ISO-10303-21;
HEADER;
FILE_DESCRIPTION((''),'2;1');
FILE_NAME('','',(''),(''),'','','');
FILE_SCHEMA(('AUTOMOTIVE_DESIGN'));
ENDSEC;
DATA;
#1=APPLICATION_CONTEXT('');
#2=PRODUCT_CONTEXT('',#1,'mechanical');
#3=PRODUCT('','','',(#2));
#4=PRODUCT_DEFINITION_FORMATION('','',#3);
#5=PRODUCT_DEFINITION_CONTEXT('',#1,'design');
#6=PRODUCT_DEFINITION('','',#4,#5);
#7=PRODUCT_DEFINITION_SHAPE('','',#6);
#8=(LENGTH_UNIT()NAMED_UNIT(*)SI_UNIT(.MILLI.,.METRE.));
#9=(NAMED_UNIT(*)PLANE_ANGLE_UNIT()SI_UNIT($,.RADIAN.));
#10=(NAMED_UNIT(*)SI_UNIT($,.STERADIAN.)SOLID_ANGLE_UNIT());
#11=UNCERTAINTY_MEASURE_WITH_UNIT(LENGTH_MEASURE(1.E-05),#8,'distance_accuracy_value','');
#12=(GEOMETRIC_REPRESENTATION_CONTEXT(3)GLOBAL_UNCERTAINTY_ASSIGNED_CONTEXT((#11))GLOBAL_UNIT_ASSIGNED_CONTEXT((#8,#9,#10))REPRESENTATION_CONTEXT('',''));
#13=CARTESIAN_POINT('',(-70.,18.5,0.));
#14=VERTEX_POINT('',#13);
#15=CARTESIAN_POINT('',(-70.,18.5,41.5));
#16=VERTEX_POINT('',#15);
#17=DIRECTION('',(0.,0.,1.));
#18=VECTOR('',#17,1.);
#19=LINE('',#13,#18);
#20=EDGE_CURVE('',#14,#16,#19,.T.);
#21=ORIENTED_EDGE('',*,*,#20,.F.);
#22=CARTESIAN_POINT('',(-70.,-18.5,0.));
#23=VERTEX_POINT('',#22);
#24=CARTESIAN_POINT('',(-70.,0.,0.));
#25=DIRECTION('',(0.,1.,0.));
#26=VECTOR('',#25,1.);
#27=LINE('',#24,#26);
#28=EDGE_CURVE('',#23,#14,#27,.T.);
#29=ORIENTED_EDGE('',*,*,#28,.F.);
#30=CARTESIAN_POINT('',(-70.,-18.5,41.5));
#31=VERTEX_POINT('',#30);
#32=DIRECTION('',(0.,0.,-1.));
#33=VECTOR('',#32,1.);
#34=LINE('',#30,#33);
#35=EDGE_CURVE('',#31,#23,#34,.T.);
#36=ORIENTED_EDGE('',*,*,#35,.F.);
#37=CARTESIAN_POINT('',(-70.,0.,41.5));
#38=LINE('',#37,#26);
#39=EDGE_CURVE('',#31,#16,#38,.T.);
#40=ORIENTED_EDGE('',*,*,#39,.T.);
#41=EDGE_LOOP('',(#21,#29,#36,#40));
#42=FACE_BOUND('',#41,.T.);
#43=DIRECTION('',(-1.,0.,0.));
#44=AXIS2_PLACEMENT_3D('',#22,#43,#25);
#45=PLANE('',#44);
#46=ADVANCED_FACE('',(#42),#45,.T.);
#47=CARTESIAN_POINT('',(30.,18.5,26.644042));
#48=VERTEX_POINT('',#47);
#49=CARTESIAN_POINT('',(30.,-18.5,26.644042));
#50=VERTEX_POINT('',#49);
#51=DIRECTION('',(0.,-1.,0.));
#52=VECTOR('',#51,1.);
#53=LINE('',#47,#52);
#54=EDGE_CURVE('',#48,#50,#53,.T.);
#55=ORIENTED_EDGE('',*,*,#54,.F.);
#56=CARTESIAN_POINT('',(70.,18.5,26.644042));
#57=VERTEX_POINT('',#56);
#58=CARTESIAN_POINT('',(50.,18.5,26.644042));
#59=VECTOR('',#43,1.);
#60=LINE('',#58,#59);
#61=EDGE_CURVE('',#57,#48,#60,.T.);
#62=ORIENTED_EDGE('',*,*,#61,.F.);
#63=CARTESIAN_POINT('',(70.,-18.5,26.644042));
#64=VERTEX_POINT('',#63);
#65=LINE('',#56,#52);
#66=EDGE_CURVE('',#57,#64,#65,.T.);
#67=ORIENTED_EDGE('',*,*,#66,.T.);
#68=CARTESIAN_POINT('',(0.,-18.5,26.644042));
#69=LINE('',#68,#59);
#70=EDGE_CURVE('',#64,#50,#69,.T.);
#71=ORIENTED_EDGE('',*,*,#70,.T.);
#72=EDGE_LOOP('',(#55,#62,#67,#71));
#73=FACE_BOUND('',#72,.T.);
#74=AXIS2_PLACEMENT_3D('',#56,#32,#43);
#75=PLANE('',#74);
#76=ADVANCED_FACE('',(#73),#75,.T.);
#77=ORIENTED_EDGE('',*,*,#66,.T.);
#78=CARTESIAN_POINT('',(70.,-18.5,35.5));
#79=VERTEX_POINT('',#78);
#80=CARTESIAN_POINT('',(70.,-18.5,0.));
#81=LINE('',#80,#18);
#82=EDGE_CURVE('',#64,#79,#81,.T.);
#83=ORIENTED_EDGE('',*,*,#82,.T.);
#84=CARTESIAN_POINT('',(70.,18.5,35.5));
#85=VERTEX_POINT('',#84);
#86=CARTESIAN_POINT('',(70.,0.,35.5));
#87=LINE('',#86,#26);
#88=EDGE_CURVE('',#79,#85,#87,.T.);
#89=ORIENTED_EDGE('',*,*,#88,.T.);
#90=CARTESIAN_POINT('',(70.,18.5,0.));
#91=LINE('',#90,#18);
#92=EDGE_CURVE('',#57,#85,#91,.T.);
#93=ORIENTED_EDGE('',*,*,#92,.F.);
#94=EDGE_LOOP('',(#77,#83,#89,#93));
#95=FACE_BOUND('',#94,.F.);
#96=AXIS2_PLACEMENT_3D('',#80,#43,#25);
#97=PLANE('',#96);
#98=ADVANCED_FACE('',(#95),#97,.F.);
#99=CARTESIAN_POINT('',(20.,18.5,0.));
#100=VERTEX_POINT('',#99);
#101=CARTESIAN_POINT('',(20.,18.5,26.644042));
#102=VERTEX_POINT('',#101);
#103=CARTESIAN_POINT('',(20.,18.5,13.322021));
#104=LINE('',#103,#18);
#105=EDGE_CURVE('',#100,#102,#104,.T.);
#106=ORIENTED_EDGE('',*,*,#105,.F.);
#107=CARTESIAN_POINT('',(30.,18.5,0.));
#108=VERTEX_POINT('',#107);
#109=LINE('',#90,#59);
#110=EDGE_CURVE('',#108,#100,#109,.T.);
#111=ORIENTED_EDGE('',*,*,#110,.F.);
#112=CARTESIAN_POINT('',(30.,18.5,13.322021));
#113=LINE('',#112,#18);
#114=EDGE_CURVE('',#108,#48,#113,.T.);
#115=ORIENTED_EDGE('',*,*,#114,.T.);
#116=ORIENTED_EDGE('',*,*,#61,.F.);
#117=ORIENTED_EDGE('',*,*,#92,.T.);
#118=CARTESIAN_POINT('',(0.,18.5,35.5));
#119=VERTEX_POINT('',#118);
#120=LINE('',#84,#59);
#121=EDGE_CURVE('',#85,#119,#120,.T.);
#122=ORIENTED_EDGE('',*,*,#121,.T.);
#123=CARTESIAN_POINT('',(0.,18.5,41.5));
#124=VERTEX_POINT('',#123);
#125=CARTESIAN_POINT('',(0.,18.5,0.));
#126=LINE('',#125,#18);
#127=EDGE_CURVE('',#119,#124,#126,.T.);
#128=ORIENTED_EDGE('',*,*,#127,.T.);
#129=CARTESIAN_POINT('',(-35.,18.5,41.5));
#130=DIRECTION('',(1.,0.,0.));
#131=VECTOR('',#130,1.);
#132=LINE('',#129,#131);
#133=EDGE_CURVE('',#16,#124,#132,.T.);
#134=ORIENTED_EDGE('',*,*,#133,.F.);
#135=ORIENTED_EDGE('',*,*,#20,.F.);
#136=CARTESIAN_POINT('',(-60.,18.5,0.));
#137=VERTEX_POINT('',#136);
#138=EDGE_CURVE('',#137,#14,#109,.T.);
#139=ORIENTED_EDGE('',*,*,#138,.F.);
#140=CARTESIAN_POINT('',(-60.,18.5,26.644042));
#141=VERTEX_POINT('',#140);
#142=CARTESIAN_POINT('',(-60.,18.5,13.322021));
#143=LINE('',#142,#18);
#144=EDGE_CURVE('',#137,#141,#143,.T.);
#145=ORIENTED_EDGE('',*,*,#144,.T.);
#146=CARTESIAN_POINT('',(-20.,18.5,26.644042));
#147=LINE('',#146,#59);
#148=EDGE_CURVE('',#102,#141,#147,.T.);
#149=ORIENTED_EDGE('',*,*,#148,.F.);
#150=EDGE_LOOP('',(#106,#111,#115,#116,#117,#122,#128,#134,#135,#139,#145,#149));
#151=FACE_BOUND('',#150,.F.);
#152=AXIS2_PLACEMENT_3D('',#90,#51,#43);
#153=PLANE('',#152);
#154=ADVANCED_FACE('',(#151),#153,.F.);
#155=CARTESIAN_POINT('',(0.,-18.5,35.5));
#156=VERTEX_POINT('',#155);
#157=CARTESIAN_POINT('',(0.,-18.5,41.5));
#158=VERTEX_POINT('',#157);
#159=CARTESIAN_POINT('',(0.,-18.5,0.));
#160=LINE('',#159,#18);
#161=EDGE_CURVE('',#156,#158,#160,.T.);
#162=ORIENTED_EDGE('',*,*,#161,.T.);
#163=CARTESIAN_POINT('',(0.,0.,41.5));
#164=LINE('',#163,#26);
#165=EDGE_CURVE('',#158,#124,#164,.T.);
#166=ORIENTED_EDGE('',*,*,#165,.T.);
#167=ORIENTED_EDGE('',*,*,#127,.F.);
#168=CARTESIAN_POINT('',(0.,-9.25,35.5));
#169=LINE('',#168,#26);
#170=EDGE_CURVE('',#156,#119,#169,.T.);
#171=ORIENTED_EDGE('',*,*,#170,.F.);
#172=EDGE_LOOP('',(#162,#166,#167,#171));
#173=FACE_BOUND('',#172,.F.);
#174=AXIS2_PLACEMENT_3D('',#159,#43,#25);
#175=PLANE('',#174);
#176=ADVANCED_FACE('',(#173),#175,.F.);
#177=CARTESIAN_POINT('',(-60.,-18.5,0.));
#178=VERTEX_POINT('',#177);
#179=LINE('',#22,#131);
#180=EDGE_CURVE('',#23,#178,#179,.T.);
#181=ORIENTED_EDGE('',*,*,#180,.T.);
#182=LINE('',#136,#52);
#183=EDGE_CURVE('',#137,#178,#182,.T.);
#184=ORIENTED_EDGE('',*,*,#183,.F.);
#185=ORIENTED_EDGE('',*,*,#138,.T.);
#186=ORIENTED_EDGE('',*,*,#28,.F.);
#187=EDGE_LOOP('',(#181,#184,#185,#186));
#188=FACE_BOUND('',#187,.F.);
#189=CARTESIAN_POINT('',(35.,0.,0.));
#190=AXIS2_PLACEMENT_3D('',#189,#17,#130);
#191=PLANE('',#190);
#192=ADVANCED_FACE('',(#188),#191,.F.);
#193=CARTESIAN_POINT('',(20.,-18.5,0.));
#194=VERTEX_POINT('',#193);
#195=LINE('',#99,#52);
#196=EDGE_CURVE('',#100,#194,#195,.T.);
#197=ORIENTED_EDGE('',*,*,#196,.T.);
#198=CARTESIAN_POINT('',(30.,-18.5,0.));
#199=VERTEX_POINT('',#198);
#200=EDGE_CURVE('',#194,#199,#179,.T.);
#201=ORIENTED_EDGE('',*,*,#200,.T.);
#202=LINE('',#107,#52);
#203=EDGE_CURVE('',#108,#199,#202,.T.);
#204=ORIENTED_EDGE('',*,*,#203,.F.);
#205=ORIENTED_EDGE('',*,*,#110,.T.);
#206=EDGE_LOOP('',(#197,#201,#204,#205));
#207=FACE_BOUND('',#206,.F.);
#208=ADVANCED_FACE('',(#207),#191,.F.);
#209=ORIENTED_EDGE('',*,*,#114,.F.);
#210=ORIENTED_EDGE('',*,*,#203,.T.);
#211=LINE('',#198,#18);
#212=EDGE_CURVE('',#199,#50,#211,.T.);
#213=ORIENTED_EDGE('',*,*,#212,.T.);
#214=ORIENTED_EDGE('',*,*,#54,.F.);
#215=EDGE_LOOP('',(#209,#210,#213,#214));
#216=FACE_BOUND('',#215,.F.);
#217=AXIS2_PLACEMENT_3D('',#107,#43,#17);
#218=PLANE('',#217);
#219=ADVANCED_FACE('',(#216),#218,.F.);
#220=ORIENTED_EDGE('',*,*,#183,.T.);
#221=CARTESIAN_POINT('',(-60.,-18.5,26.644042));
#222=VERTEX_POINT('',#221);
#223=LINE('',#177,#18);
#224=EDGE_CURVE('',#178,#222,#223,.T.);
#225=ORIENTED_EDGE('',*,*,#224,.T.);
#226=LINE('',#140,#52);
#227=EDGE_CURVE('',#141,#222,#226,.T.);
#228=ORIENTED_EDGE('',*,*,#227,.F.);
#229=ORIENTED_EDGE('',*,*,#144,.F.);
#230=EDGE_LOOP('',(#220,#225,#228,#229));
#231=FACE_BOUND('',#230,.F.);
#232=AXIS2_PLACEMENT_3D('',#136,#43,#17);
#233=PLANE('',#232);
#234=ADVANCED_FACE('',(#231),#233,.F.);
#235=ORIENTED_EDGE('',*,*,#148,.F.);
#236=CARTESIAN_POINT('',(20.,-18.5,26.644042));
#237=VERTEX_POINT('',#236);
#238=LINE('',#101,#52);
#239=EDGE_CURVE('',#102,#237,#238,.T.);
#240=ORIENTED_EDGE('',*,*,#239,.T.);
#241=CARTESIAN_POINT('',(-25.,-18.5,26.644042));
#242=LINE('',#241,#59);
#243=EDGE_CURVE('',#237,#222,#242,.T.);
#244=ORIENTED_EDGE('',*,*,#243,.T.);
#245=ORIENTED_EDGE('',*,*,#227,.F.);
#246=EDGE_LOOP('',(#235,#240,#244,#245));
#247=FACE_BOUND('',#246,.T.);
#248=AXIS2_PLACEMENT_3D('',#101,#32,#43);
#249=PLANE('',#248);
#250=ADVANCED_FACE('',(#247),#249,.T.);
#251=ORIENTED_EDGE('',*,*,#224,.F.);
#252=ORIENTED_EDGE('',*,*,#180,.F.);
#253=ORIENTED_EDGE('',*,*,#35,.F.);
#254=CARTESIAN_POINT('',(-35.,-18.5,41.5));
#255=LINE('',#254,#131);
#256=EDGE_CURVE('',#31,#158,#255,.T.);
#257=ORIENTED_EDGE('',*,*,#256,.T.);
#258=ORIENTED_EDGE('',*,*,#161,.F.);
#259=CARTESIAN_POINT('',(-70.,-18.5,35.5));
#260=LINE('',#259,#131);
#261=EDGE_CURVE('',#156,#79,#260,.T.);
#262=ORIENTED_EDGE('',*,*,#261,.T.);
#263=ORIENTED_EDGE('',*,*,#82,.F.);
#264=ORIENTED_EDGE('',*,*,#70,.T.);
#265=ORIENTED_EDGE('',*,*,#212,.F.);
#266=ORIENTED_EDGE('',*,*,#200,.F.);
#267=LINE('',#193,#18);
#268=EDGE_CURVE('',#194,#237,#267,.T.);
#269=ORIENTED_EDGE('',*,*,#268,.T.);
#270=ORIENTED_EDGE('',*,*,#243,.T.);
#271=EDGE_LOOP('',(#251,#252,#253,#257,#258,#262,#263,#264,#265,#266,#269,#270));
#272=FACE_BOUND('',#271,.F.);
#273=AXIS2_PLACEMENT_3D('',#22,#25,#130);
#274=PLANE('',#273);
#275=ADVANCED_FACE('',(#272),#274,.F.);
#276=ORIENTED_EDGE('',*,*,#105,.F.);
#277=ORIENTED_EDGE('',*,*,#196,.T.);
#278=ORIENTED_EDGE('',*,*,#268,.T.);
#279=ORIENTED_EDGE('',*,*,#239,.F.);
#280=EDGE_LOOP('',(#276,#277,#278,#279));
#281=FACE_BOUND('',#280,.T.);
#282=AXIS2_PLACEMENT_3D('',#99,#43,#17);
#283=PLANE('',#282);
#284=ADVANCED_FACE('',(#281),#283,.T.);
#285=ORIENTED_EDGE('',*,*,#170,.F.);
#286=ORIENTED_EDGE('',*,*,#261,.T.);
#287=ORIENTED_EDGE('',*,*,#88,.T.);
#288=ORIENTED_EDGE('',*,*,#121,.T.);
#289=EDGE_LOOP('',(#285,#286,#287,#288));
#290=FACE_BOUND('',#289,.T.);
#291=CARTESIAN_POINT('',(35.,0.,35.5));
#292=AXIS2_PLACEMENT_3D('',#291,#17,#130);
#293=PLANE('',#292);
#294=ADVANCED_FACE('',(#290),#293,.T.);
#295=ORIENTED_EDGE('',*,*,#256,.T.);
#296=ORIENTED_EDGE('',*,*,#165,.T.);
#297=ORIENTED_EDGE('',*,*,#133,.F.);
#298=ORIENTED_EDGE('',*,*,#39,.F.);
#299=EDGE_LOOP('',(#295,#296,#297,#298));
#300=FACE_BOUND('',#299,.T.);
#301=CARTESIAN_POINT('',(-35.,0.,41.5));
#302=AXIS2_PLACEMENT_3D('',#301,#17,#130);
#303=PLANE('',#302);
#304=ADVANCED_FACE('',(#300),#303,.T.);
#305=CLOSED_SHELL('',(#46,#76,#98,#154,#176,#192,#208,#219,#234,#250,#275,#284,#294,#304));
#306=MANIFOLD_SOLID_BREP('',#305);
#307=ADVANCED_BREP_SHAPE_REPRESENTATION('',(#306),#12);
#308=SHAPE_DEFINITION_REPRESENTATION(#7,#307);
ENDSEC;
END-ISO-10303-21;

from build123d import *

# Parameters (mm, degrees)
F0_W     = 70
F0_H     = 37
F1_DEPTH = 41.5
F2_DEPTH = 35.5
F3_W     = 80
F3_H     = 26.6440417618
F3_W_2   = 40
F4_DEPTH = 40


with BuildPart() as f1:
    # F0 (on Top) → F1 (new body)
    with BuildSketch(Plane.XY):
        with Locations((-35, 0)):
            Rectangle(F0_W, F0_H)
    extrude(amount=F1_DEPTH)

    # F0 (on Top) → F2 (join)
    with BuildSketch(Plane.XY):
        with Locations((35, 0)):
            Rectangle(F0_W, F0_H)
        with Locations((-35, 0)):
            Rectangle(F0_W, F0_H)
    extrude(amount=F2_DEPTH)

    # F3 (on face) → F4 (cut)
    with BuildSketch(Plane(origin=(0, 18.5, 0), x_dir=(-1, 0, 0), z_dir=(0, 1, 0))):
        with Locations((20, 13.3220208809)):
            Rectangle(F3_W, F3_H)
        with Locations((-50, 13.3220208809)):
            Rectangle(F3_W_2, F3_H)
    extrude(amount=-F4_DEPTH, mode=Mode.SUBTRACT)


solid = f1.part
